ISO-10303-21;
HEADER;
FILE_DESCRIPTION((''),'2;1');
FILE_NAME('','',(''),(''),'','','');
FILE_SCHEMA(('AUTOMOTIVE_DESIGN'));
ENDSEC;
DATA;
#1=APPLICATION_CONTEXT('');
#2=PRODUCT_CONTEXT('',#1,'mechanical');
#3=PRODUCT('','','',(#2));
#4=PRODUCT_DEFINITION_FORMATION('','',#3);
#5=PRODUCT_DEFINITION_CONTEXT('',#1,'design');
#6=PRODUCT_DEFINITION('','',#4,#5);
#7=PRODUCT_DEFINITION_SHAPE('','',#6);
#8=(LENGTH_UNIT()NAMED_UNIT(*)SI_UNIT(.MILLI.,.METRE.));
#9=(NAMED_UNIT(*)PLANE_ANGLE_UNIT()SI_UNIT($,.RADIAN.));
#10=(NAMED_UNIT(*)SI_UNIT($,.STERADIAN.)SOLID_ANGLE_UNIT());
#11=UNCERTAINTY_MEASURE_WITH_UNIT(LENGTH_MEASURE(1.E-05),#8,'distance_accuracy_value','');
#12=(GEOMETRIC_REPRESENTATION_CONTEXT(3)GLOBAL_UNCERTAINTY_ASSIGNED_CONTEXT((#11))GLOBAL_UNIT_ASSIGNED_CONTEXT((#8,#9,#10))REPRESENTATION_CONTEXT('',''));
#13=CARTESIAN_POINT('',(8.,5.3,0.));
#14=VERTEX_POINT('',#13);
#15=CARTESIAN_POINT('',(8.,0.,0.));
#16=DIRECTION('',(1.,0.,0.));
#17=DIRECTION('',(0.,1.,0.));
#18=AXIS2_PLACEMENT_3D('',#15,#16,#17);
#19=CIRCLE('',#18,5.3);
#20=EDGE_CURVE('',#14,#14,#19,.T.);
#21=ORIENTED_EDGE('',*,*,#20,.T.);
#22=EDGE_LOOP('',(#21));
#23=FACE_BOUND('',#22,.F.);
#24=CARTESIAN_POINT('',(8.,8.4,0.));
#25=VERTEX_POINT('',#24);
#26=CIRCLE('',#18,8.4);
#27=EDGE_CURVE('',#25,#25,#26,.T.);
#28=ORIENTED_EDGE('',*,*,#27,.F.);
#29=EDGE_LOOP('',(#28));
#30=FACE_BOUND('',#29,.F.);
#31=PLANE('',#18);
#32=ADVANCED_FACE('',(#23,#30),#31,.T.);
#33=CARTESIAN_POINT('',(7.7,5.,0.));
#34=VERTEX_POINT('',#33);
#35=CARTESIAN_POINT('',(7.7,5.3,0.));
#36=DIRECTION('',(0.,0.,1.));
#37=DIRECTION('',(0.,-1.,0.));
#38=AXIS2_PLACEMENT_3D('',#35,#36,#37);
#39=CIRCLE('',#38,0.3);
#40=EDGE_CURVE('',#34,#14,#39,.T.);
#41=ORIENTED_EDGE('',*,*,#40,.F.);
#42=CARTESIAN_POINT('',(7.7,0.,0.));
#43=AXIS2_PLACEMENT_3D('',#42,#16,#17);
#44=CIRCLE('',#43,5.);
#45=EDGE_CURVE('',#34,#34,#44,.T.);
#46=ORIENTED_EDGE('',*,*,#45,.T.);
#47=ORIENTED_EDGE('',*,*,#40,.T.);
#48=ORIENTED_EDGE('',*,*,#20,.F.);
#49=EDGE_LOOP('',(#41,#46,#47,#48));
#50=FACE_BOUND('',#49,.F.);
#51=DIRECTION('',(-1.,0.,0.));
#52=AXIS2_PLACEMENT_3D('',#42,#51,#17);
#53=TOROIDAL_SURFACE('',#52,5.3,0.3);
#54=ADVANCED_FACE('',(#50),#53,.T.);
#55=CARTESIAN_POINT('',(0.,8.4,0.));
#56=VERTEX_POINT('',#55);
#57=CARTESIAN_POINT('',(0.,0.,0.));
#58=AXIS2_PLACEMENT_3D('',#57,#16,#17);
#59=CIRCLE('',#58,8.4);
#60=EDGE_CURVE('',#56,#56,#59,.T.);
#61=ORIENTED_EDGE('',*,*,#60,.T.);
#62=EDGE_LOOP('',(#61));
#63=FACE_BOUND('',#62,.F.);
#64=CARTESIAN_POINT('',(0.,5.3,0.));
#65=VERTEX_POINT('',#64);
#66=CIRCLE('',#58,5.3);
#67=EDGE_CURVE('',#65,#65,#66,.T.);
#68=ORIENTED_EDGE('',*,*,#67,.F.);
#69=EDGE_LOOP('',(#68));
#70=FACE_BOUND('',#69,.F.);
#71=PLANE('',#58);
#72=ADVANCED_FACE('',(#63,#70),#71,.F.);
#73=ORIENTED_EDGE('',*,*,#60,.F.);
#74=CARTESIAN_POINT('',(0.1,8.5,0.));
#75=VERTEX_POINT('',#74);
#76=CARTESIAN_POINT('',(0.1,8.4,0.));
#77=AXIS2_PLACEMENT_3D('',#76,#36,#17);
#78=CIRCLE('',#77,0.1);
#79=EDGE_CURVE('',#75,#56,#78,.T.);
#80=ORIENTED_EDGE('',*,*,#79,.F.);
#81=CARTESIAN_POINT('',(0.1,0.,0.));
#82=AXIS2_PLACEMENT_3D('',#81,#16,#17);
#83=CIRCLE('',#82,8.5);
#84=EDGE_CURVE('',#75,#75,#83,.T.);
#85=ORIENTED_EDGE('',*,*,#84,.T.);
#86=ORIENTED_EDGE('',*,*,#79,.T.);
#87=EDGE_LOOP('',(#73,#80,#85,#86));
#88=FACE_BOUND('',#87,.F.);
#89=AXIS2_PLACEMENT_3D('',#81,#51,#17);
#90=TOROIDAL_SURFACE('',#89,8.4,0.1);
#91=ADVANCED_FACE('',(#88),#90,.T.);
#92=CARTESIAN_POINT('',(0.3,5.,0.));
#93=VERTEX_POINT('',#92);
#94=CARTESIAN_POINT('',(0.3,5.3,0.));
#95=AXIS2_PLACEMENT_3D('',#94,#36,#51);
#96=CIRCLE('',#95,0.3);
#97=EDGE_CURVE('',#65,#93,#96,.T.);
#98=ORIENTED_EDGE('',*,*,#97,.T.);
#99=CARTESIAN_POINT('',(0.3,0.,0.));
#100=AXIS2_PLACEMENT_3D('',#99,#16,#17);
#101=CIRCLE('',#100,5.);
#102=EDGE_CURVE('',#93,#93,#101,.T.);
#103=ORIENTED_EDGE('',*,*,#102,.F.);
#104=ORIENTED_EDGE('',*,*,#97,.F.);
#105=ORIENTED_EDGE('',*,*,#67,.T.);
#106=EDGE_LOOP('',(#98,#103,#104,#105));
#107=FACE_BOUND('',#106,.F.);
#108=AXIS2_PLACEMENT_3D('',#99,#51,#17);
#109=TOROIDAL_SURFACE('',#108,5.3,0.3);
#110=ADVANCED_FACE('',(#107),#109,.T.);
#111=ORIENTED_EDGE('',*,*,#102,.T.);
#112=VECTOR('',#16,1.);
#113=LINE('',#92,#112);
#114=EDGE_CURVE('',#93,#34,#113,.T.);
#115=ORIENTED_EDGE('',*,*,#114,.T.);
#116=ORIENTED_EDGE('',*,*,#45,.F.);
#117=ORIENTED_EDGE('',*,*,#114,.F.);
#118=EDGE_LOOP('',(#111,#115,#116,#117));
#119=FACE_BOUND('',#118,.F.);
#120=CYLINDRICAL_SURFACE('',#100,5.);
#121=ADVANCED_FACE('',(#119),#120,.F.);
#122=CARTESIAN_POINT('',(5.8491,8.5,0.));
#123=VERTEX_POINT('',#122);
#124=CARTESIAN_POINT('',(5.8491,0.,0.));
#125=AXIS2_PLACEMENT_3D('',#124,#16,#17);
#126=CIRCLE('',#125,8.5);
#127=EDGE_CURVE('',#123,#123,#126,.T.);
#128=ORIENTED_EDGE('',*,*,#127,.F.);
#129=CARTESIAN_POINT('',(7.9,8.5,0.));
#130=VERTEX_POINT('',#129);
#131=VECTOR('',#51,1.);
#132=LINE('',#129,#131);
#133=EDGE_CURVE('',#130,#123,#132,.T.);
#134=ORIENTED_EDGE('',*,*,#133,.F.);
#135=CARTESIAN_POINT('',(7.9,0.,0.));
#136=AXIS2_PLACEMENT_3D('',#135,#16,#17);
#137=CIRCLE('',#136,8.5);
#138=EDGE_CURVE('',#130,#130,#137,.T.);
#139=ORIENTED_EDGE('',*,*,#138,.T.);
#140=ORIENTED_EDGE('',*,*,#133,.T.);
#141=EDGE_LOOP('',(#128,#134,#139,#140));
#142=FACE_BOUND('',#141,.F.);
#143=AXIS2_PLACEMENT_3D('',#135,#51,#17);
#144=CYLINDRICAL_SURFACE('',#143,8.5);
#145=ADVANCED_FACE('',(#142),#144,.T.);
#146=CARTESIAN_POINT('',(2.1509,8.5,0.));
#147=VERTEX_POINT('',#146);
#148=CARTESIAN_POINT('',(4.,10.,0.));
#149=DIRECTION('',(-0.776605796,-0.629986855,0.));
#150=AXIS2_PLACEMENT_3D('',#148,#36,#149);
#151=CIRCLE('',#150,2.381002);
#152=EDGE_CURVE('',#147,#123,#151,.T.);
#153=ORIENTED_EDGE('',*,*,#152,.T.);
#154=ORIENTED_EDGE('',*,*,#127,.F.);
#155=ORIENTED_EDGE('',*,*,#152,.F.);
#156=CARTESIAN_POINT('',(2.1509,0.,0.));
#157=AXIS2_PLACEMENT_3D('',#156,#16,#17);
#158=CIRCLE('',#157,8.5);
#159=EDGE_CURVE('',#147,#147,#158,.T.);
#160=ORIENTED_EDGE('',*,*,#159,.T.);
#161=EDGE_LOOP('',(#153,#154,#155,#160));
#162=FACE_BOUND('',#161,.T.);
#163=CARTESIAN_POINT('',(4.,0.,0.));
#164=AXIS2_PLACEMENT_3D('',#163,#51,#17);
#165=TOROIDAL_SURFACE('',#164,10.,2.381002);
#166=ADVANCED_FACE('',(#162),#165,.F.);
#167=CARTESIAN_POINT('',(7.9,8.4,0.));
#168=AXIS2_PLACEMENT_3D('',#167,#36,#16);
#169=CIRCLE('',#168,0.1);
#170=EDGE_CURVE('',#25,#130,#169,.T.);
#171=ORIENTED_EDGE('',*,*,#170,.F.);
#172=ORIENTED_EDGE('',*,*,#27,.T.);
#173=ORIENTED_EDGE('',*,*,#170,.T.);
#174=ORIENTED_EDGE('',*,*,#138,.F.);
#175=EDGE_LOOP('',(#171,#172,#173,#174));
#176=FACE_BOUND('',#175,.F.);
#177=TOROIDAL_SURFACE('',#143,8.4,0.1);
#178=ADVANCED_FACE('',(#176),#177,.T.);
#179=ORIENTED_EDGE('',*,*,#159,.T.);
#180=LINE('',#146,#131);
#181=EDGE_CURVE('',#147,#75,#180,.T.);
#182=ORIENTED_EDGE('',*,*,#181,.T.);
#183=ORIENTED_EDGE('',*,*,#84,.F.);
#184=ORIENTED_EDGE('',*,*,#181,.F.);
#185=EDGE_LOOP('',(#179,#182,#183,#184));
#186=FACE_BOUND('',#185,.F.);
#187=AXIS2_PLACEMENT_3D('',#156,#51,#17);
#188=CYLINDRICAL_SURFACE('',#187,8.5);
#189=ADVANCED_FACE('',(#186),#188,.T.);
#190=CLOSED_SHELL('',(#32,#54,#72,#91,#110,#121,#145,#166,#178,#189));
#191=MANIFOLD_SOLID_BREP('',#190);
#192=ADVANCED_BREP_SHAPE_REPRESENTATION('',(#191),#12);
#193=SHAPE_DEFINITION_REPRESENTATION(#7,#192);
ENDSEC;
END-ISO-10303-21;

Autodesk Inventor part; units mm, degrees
ref_plane "YZ Plane" through (0, 0, 0) normal (1, 0, 0) x (0, 1, 0)
ref_plane "XZ Plane" through (0, 0, 0) normal (0, 1, 0) x (-1, 0, 0)
ref_plane "XY Plane" through (0, 0, 0) normal (0, 0, 1) x (1, 0, 0)
sketch "Sketch_54" plane through (0, 0, 0) normal (0, 0, 1) x (1, 0, 0)
  line L0 (100, 0) -> (-100, 0)
  arc A0 (0, 5.3) -> (0.3, 5) centre (0.3, 5.3) ccw
  line L1 (0.3, 5) -> (7.7, 5)
  arc A1 (7.7, 5) -> (8, 5.3) centre (7.7, 5.3) ccw
  line L2 (8, 5.3) -> (8, 8.4)
  arc A2 (8, 8.4) -> (7.9, 8.5) centre (7.9, 8.4) ccw
  line L3 (7.9, 8.5) -> (5.8491, 8.5)
  arc A3 (2.1509, 8.5) -> (5.8491, 8.5) centre (4, 10) ccw
  line L4 (2.1509, 8.5) -> (0.1, 8.5)
  arc A4 (0.1, 8.5) -> (0, 8.4) centre (0.1, 8.4) ccw
  line L5 (0, 8.4) -> (0, 5.3)
revolve "Revolution1" add sketch "Sketch_54" angle 360 about axis through (100, 0, 0) along (1, 0, 0)
properties part number "SKF_16100_PART1"
